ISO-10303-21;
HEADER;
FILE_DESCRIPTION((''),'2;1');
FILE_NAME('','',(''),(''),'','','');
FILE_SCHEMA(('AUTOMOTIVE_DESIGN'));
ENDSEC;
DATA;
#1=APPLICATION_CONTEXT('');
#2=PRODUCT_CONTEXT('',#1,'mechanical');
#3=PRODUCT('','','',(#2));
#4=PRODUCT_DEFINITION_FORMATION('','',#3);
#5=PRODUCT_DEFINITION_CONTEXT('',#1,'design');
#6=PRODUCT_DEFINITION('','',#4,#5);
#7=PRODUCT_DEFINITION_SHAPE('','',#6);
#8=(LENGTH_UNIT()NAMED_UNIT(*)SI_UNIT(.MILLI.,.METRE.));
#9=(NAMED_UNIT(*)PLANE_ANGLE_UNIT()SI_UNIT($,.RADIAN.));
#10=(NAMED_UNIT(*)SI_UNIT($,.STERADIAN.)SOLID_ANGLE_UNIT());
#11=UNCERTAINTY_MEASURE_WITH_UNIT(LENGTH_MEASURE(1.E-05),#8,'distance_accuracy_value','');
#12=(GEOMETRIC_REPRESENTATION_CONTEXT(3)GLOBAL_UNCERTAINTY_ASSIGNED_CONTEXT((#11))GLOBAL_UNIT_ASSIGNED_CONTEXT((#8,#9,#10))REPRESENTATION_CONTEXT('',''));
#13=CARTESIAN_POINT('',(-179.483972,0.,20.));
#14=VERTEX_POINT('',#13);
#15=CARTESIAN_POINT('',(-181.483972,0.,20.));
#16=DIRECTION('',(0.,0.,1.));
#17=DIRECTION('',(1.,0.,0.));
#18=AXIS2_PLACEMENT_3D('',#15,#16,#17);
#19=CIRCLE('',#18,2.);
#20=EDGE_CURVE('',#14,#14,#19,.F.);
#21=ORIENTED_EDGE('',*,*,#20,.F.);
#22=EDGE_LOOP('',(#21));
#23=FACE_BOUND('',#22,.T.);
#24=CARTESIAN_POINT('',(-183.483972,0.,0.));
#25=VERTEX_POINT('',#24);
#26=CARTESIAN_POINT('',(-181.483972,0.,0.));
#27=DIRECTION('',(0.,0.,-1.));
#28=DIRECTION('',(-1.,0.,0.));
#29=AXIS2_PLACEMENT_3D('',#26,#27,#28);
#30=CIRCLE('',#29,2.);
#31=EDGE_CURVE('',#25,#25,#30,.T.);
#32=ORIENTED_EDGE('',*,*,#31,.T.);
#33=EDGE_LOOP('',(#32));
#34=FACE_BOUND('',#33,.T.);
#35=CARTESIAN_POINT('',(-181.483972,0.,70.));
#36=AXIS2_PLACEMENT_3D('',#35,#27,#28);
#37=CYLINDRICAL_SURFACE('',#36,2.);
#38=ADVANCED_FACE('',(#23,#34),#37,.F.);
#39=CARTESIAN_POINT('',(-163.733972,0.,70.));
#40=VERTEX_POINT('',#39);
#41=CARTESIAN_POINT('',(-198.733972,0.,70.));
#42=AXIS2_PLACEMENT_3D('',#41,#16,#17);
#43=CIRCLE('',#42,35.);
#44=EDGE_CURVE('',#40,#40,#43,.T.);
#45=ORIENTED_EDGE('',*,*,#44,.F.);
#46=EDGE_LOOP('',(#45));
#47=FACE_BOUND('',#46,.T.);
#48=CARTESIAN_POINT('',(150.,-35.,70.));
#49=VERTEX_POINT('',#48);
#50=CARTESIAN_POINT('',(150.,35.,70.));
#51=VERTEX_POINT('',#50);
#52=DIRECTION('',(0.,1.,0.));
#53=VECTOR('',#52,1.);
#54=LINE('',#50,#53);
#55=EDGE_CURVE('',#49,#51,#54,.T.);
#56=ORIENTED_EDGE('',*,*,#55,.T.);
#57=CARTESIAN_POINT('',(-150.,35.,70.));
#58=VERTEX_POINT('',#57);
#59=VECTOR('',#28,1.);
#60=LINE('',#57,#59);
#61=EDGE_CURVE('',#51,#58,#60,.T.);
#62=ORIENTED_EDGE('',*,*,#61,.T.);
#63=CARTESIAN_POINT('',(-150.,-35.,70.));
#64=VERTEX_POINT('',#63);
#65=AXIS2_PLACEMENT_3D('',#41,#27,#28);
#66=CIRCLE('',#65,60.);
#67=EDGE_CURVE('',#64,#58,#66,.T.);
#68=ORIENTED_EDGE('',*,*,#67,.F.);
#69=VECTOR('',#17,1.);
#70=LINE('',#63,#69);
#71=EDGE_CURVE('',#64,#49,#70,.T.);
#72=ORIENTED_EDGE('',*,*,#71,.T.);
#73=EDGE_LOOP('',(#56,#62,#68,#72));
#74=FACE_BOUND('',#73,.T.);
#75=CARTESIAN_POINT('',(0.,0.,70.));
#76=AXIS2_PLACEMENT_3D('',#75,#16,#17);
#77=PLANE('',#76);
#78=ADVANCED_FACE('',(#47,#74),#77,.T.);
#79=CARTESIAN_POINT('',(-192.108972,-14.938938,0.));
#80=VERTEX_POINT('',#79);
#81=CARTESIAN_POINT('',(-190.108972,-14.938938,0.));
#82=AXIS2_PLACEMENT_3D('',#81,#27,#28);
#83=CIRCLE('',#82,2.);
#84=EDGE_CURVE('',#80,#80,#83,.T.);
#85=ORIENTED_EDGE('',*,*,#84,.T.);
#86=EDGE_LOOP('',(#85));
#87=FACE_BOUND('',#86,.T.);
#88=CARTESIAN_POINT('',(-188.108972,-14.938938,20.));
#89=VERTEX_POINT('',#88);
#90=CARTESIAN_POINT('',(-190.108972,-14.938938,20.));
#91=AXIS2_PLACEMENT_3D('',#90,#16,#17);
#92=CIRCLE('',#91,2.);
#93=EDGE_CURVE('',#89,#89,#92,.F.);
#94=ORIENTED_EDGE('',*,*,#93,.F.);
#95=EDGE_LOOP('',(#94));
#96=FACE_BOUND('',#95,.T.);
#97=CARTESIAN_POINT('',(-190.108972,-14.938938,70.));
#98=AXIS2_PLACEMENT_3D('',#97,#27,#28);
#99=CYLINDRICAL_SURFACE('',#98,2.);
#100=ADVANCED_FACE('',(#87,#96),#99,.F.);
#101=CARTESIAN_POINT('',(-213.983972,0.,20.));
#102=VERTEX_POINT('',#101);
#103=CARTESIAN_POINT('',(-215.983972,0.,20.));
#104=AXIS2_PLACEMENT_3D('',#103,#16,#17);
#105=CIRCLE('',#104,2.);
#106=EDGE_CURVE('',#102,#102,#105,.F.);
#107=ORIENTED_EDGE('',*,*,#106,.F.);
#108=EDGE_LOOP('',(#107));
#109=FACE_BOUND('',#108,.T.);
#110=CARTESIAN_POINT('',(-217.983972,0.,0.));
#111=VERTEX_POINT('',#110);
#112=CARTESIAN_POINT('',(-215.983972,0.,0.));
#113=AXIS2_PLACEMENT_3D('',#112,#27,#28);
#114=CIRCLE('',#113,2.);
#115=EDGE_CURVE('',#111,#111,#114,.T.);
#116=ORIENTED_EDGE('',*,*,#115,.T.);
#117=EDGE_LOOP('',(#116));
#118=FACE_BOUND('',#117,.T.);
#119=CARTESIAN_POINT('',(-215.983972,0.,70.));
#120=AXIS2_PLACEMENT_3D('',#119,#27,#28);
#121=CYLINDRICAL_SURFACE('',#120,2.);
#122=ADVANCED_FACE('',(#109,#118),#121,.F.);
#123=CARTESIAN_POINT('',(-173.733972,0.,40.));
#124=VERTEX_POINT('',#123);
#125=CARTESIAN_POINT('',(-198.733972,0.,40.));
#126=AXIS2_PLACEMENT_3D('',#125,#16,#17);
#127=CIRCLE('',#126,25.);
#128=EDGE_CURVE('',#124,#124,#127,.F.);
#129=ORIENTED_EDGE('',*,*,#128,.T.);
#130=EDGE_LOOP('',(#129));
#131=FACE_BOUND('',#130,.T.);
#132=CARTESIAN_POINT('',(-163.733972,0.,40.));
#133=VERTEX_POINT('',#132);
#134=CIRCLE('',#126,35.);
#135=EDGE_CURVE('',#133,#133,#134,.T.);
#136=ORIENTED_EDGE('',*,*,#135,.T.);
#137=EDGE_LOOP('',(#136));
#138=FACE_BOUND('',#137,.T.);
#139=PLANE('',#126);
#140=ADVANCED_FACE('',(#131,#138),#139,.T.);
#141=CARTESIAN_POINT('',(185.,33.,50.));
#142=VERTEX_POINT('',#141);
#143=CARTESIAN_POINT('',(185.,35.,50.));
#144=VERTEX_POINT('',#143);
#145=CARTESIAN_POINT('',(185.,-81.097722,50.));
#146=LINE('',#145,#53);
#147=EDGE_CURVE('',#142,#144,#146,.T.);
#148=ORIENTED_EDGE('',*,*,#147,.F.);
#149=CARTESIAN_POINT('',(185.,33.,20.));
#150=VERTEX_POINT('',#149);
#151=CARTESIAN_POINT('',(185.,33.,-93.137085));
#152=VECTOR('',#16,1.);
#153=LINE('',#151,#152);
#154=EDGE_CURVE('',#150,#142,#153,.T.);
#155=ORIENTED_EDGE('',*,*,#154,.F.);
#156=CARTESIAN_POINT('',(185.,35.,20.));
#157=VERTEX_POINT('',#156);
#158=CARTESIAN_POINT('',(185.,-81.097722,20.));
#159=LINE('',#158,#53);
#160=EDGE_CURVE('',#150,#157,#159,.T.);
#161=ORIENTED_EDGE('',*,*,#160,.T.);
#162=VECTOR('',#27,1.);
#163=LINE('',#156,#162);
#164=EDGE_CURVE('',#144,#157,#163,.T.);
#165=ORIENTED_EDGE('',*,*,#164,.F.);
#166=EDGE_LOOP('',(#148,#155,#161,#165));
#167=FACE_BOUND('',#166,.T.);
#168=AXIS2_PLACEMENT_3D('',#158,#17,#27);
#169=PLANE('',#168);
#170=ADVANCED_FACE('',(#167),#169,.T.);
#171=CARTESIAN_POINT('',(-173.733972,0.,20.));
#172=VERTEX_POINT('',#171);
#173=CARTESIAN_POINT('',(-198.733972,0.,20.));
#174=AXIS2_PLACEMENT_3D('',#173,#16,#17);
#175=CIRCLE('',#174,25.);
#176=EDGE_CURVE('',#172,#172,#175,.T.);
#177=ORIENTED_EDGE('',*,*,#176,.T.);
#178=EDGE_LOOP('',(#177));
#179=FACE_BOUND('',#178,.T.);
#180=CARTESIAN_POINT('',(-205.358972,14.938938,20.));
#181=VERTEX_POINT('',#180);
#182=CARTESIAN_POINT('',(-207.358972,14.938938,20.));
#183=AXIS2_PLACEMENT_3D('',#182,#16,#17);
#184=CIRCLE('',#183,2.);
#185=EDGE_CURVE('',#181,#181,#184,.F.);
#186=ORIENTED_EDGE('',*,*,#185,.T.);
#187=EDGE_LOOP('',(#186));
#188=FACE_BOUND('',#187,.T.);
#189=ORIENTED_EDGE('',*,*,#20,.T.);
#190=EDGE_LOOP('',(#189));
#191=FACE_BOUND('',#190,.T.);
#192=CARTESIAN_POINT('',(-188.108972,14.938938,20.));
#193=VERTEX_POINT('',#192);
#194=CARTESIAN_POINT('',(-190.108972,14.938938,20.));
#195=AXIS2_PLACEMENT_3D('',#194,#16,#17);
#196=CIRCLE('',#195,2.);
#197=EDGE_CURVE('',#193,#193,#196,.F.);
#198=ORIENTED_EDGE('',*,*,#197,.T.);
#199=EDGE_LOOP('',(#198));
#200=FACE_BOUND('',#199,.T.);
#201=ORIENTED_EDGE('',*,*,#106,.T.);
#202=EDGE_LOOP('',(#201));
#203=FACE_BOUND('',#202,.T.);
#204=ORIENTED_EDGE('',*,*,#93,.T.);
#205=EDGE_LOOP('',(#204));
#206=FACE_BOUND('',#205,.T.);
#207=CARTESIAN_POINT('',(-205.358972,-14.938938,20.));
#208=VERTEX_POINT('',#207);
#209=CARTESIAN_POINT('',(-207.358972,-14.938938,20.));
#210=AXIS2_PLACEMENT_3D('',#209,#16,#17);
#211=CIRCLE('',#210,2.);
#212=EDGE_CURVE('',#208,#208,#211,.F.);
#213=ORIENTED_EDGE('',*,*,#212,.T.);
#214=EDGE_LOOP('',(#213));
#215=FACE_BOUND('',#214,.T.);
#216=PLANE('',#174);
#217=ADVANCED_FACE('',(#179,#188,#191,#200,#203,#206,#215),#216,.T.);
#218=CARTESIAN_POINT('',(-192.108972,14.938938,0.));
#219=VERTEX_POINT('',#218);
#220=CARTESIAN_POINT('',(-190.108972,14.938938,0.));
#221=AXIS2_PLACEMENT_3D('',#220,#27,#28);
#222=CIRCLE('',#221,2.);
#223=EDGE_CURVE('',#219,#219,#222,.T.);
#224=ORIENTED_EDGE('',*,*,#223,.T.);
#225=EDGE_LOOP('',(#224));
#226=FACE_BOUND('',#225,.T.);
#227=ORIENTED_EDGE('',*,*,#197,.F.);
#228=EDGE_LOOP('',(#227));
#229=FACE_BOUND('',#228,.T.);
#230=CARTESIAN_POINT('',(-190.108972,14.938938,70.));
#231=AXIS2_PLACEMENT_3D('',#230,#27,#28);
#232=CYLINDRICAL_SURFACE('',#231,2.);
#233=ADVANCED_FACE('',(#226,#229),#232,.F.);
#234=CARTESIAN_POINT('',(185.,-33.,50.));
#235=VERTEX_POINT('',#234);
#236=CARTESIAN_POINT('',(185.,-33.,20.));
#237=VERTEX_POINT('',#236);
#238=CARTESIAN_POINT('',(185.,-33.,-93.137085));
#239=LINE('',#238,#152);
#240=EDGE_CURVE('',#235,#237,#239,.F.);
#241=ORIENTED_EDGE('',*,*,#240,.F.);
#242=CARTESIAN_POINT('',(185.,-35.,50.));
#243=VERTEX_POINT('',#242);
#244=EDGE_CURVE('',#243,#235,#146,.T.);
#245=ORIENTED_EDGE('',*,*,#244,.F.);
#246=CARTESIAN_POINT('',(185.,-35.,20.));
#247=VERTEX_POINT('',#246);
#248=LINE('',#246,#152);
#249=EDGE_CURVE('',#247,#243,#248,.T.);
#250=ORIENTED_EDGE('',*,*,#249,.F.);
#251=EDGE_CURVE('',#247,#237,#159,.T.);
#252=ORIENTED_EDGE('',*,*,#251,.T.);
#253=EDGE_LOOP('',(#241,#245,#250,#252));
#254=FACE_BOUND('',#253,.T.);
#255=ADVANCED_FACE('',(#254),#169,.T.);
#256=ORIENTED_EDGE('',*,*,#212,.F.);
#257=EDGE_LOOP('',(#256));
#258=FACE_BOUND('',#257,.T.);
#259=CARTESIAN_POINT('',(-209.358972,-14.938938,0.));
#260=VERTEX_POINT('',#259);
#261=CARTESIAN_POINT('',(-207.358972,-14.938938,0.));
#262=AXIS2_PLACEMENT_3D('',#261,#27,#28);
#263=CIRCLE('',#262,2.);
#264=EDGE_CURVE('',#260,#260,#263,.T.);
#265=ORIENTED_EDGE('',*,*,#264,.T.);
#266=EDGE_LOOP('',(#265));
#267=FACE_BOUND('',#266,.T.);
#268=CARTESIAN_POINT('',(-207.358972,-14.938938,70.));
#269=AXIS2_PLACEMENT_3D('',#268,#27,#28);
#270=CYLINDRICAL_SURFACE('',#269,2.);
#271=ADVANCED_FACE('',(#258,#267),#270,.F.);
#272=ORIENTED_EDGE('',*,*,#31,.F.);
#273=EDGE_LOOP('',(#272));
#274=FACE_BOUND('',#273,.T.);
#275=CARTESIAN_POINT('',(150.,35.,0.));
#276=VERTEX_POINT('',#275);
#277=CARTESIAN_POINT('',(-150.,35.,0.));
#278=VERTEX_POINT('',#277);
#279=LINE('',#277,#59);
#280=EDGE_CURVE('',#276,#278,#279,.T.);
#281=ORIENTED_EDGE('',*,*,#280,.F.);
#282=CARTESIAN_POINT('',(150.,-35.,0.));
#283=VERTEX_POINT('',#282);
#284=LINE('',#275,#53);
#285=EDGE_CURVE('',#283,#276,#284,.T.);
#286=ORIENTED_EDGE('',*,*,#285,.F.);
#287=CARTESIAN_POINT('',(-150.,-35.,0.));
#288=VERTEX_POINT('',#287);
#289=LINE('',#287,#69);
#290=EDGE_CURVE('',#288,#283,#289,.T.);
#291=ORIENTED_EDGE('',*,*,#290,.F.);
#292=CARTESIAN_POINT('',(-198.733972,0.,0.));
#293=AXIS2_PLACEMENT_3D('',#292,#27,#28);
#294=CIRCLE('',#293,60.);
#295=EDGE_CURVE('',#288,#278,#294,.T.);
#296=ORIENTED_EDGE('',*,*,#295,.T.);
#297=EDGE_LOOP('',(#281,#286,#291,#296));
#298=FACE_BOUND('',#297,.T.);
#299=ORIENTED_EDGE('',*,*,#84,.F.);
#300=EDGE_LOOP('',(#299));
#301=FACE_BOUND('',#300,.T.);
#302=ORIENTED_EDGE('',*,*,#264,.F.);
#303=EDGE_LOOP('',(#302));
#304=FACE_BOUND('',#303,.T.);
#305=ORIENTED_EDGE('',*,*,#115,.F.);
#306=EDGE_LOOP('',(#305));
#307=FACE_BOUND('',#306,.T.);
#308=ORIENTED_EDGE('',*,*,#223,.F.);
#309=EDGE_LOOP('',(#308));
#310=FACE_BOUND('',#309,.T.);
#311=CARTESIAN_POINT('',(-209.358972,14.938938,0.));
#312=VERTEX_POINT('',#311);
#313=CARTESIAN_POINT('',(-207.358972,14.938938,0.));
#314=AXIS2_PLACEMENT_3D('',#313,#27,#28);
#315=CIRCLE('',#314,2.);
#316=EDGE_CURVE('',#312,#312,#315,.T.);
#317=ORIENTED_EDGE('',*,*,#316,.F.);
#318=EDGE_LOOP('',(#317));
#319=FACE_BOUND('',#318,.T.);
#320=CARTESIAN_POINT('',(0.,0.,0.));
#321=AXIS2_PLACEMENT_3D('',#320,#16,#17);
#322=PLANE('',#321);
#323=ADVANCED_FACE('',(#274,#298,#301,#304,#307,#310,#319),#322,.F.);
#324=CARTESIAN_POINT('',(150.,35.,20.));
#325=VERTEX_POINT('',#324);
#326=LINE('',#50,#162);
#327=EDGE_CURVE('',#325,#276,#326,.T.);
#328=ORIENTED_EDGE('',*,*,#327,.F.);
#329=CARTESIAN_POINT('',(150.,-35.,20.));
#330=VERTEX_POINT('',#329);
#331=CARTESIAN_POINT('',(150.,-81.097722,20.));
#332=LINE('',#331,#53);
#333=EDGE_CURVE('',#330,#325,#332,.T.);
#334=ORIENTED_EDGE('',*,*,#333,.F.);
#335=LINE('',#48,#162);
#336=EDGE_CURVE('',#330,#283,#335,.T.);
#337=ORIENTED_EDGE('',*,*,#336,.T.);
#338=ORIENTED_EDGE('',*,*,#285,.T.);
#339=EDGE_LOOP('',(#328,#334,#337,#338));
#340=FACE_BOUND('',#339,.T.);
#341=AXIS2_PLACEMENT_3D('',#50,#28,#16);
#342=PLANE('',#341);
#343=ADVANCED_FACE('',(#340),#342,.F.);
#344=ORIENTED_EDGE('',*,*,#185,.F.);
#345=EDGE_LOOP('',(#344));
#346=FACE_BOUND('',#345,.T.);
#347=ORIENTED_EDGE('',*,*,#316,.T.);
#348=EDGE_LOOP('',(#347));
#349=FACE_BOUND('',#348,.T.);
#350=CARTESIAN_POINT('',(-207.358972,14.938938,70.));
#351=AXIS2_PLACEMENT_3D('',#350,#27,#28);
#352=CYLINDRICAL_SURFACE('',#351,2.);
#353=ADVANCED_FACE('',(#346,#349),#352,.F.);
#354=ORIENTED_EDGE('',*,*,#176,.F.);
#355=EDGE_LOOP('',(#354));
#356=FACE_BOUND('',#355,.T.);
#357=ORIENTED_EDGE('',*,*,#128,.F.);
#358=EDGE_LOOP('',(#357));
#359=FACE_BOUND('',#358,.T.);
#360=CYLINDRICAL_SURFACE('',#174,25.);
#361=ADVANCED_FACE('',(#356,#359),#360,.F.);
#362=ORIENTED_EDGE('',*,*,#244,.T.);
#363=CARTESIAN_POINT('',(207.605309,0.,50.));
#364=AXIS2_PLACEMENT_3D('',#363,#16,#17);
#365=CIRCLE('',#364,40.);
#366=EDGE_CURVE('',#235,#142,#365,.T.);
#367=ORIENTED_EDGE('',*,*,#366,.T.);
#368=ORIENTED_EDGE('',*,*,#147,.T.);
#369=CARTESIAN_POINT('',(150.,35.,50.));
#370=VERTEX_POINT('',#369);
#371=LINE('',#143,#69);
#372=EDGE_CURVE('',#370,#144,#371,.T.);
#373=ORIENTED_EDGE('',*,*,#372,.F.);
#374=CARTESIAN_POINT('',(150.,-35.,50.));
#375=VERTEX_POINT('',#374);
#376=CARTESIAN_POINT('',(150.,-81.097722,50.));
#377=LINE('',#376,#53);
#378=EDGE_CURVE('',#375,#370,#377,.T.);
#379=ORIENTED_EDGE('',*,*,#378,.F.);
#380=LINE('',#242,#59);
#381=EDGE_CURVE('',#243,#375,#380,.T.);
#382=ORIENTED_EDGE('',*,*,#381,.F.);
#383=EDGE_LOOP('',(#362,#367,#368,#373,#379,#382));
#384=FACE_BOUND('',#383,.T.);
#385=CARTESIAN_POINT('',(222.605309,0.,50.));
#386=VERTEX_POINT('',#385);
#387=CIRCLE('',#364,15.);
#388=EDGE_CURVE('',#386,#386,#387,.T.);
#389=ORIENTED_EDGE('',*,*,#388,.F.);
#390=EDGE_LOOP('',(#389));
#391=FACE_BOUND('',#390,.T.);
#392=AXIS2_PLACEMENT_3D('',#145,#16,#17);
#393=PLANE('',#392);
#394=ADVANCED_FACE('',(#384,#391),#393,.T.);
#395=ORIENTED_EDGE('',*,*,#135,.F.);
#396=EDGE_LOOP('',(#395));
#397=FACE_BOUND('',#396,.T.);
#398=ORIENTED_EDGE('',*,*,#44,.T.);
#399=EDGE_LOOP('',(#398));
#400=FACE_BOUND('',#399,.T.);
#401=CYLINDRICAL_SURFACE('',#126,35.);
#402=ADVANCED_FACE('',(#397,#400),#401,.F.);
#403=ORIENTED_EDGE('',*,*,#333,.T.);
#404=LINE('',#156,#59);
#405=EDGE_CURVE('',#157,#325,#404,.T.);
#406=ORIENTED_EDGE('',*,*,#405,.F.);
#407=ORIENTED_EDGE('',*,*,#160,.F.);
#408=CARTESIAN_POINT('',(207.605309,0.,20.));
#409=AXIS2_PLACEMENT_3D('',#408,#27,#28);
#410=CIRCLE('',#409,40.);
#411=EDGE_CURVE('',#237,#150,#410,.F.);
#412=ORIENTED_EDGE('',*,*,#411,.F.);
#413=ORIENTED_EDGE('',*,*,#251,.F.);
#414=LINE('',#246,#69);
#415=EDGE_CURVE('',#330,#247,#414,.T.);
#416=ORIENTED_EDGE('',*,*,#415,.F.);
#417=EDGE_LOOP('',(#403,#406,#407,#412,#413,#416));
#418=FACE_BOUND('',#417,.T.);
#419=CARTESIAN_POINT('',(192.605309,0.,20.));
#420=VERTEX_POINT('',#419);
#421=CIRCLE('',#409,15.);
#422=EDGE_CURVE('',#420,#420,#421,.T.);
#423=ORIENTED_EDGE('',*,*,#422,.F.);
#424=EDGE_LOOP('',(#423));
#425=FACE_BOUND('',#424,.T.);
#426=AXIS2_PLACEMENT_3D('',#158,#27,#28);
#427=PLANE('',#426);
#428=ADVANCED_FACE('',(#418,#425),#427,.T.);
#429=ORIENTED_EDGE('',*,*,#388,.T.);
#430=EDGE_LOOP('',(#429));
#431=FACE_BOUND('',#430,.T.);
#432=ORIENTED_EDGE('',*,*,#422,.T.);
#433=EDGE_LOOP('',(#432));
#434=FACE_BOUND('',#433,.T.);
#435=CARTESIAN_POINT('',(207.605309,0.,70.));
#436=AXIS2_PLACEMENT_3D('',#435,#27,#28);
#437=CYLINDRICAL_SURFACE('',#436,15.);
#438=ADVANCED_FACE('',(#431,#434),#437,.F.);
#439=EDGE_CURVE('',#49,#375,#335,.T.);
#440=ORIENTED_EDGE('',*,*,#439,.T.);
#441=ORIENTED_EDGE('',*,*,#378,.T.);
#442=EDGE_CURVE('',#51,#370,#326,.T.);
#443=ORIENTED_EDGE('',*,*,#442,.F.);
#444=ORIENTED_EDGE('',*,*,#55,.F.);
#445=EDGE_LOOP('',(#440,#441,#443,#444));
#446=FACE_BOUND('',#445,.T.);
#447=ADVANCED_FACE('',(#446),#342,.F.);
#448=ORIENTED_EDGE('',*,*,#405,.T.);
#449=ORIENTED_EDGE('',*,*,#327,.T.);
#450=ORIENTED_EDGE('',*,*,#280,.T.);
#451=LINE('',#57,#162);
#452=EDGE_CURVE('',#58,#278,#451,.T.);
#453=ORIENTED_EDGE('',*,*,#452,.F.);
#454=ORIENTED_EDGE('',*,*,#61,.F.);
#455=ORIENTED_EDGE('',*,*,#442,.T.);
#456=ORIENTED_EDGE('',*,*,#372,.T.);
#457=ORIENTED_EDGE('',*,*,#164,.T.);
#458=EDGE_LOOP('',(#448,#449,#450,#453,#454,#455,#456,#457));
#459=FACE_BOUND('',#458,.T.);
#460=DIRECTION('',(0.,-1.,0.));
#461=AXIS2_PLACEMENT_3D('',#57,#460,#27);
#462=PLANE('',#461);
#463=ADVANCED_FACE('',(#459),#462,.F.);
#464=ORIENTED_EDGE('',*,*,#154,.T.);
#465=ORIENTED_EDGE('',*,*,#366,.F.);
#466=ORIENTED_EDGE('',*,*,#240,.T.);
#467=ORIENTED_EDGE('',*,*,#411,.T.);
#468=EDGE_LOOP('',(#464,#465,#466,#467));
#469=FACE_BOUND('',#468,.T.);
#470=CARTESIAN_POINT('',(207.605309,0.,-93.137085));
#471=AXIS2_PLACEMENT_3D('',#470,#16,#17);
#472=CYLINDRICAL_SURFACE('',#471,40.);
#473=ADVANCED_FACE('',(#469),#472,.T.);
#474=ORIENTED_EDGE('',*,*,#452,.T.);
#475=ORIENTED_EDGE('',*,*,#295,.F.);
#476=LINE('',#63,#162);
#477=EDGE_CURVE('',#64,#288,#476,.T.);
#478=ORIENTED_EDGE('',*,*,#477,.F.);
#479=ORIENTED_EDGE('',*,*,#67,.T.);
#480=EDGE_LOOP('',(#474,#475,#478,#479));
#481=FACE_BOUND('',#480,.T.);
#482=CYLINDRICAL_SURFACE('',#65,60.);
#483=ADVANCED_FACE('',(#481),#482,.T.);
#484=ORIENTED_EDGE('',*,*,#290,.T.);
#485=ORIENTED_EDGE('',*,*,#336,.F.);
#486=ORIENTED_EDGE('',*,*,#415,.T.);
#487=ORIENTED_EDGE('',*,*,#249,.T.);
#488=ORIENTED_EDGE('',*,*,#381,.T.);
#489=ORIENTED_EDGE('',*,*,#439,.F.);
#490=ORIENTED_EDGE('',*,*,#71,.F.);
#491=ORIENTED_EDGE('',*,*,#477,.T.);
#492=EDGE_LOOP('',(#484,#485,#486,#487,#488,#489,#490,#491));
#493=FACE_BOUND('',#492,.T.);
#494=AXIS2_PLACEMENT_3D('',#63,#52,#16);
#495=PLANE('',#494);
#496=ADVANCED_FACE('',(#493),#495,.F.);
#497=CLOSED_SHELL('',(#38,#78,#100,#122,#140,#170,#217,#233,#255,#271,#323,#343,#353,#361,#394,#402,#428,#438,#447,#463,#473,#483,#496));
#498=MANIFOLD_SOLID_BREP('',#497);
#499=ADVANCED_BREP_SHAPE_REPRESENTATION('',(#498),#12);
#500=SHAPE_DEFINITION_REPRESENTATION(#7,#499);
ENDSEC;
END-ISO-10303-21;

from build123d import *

# Parameters (mm, degrees)
SKETCH_1_W          = 300
SKETCH_1_H          = 70
EXTRUDE_1_DEPTH     = 70
SKETCH_2_R          = 60
EXTRUDE_2_DEPTH     = 70
SKETCH_3_W          = 35
SKETCH_3_H          = 30
EXTRUDE_3_DEPTH     = 70
SKETCH_5_R          = 40
EXTRUDE_5_DEPTH     = 30
SKETCH_6_R          = 15
CUT_EXTRUDE_1_DEPTH = 271.265181117
SKETCH_7_R          = 2
CUT_EXTRUDE_2_DEPTH = 275.669379662
SKETCH_8_R          = 25
CUT_EXTRUDE_3_DEPTH = 50
SKETCH_9_R          = 35
CUT_EXTRUDE_4_DEPTH = 30


with BuildPart() as part:
    # 草图1 → 凸台-拉伸1 (new body)
    with BuildSketch(Plane.XY):
        Rectangle(SKETCH_1_W, SKETCH_1_H)
    extrude(amount=EXTRUDE_1_DEPTH)

    # 草图2 → 凸台-拉伸2 (add)
    with BuildSketch(Plane(origin=(0, 0, 0), x_dir=(-1, 0, 0), z_dir=(0, 0, -1))):
        with Locations((198.733971724, 0)):
            Circle(SKETCH_2_R)
    extrude(amount=-EXTRUDE_2_DEPTH)

    # 草图3 → 凸台-拉伸3 (add)
    with BuildSketch(Plane(origin=(0, 35, 0), x_dir=(1, 0, 0), z_dir=(0, 1, 0))):
        with Locations((167.5, -35)):
            Rectangle(SKETCH_3_W, SKETCH_3_H)
    extrude(amount=-EXTRUDE_3_DEPTH)

    # 草图5 → 凸台-拉伸5 (add)
    with BuildSketch(Plane.XY.offset(50)):
        with Locations((207.605309111, 0)):
            Circle(SKETCH_5_R)
    extrude(amount=-EXTRUDE_5_DEPTH)

    # 草图6 → 切除-拉伸1 (cut, through all)
    with BuildSketch(Plane(origin=(0, 0, 20), x_dir=(-1, 0, 0), z_dir=(0, 0, -1))):
        with Locations((-207.605309111, 0)):
            Circle(SKETCH_6_R)
    extrude(amount=-CUT_EXTRUDE_1_DEPTH, mode=Mode.SUBTRACT)

    # 草图7 → 切除-拉伸2 (cut, through all)
    with BuildSketch(Plane(origin=(0, 0, 0), x_dir=(-1, 0, 0), z_dir=(0, 0, -1))):
        with Locations((215.983971724, 0)):
            Circle(SKETCH_7_R)
        with Locations((207.358971724, -14.938938215)):
            Circle(SKETCH_7_R)
        with Locations((190.108971724, -14.938938215)):
            Circle(SKETCH_7_R)
        with Locations((181.483971724, 0)):
            Circle(SKETCH_7_R)
        with Locations((190.108971724, 14.938938215)):
            Circle(SKETCH_7_R)
        with Locations((207.358971724, 14.938938215)):
            Circle(SKETCH_7_R)
    extrude(amount=-CUT_EXTRUDE_2_DEPTH, mode=Mode.SUBTRACT)

    # 草图8 → 切除-拉伸3 (cut)
    with BuildSketch(Plane.XY.offset(70)):
        with Locations((-198.733971724, 0)):
            Circle(SKETCH_8_R)
    extrude(amount=-CUT_EXTRUDE_3_DEPTH, mode=Mode.SUBTRACT)

    # 草图9 → 切除-拉伸4 (cut)
    with BuildSketch(Plane.XY.offset(70)):
        with Locations((-198.733971724, 0)):
            Circle(SKETCH_9_R)
    extrude(amount=-CUT_EXTRUDE_4_DEPTH, mode=Mode.SUBTRACT)


solid = part.part
